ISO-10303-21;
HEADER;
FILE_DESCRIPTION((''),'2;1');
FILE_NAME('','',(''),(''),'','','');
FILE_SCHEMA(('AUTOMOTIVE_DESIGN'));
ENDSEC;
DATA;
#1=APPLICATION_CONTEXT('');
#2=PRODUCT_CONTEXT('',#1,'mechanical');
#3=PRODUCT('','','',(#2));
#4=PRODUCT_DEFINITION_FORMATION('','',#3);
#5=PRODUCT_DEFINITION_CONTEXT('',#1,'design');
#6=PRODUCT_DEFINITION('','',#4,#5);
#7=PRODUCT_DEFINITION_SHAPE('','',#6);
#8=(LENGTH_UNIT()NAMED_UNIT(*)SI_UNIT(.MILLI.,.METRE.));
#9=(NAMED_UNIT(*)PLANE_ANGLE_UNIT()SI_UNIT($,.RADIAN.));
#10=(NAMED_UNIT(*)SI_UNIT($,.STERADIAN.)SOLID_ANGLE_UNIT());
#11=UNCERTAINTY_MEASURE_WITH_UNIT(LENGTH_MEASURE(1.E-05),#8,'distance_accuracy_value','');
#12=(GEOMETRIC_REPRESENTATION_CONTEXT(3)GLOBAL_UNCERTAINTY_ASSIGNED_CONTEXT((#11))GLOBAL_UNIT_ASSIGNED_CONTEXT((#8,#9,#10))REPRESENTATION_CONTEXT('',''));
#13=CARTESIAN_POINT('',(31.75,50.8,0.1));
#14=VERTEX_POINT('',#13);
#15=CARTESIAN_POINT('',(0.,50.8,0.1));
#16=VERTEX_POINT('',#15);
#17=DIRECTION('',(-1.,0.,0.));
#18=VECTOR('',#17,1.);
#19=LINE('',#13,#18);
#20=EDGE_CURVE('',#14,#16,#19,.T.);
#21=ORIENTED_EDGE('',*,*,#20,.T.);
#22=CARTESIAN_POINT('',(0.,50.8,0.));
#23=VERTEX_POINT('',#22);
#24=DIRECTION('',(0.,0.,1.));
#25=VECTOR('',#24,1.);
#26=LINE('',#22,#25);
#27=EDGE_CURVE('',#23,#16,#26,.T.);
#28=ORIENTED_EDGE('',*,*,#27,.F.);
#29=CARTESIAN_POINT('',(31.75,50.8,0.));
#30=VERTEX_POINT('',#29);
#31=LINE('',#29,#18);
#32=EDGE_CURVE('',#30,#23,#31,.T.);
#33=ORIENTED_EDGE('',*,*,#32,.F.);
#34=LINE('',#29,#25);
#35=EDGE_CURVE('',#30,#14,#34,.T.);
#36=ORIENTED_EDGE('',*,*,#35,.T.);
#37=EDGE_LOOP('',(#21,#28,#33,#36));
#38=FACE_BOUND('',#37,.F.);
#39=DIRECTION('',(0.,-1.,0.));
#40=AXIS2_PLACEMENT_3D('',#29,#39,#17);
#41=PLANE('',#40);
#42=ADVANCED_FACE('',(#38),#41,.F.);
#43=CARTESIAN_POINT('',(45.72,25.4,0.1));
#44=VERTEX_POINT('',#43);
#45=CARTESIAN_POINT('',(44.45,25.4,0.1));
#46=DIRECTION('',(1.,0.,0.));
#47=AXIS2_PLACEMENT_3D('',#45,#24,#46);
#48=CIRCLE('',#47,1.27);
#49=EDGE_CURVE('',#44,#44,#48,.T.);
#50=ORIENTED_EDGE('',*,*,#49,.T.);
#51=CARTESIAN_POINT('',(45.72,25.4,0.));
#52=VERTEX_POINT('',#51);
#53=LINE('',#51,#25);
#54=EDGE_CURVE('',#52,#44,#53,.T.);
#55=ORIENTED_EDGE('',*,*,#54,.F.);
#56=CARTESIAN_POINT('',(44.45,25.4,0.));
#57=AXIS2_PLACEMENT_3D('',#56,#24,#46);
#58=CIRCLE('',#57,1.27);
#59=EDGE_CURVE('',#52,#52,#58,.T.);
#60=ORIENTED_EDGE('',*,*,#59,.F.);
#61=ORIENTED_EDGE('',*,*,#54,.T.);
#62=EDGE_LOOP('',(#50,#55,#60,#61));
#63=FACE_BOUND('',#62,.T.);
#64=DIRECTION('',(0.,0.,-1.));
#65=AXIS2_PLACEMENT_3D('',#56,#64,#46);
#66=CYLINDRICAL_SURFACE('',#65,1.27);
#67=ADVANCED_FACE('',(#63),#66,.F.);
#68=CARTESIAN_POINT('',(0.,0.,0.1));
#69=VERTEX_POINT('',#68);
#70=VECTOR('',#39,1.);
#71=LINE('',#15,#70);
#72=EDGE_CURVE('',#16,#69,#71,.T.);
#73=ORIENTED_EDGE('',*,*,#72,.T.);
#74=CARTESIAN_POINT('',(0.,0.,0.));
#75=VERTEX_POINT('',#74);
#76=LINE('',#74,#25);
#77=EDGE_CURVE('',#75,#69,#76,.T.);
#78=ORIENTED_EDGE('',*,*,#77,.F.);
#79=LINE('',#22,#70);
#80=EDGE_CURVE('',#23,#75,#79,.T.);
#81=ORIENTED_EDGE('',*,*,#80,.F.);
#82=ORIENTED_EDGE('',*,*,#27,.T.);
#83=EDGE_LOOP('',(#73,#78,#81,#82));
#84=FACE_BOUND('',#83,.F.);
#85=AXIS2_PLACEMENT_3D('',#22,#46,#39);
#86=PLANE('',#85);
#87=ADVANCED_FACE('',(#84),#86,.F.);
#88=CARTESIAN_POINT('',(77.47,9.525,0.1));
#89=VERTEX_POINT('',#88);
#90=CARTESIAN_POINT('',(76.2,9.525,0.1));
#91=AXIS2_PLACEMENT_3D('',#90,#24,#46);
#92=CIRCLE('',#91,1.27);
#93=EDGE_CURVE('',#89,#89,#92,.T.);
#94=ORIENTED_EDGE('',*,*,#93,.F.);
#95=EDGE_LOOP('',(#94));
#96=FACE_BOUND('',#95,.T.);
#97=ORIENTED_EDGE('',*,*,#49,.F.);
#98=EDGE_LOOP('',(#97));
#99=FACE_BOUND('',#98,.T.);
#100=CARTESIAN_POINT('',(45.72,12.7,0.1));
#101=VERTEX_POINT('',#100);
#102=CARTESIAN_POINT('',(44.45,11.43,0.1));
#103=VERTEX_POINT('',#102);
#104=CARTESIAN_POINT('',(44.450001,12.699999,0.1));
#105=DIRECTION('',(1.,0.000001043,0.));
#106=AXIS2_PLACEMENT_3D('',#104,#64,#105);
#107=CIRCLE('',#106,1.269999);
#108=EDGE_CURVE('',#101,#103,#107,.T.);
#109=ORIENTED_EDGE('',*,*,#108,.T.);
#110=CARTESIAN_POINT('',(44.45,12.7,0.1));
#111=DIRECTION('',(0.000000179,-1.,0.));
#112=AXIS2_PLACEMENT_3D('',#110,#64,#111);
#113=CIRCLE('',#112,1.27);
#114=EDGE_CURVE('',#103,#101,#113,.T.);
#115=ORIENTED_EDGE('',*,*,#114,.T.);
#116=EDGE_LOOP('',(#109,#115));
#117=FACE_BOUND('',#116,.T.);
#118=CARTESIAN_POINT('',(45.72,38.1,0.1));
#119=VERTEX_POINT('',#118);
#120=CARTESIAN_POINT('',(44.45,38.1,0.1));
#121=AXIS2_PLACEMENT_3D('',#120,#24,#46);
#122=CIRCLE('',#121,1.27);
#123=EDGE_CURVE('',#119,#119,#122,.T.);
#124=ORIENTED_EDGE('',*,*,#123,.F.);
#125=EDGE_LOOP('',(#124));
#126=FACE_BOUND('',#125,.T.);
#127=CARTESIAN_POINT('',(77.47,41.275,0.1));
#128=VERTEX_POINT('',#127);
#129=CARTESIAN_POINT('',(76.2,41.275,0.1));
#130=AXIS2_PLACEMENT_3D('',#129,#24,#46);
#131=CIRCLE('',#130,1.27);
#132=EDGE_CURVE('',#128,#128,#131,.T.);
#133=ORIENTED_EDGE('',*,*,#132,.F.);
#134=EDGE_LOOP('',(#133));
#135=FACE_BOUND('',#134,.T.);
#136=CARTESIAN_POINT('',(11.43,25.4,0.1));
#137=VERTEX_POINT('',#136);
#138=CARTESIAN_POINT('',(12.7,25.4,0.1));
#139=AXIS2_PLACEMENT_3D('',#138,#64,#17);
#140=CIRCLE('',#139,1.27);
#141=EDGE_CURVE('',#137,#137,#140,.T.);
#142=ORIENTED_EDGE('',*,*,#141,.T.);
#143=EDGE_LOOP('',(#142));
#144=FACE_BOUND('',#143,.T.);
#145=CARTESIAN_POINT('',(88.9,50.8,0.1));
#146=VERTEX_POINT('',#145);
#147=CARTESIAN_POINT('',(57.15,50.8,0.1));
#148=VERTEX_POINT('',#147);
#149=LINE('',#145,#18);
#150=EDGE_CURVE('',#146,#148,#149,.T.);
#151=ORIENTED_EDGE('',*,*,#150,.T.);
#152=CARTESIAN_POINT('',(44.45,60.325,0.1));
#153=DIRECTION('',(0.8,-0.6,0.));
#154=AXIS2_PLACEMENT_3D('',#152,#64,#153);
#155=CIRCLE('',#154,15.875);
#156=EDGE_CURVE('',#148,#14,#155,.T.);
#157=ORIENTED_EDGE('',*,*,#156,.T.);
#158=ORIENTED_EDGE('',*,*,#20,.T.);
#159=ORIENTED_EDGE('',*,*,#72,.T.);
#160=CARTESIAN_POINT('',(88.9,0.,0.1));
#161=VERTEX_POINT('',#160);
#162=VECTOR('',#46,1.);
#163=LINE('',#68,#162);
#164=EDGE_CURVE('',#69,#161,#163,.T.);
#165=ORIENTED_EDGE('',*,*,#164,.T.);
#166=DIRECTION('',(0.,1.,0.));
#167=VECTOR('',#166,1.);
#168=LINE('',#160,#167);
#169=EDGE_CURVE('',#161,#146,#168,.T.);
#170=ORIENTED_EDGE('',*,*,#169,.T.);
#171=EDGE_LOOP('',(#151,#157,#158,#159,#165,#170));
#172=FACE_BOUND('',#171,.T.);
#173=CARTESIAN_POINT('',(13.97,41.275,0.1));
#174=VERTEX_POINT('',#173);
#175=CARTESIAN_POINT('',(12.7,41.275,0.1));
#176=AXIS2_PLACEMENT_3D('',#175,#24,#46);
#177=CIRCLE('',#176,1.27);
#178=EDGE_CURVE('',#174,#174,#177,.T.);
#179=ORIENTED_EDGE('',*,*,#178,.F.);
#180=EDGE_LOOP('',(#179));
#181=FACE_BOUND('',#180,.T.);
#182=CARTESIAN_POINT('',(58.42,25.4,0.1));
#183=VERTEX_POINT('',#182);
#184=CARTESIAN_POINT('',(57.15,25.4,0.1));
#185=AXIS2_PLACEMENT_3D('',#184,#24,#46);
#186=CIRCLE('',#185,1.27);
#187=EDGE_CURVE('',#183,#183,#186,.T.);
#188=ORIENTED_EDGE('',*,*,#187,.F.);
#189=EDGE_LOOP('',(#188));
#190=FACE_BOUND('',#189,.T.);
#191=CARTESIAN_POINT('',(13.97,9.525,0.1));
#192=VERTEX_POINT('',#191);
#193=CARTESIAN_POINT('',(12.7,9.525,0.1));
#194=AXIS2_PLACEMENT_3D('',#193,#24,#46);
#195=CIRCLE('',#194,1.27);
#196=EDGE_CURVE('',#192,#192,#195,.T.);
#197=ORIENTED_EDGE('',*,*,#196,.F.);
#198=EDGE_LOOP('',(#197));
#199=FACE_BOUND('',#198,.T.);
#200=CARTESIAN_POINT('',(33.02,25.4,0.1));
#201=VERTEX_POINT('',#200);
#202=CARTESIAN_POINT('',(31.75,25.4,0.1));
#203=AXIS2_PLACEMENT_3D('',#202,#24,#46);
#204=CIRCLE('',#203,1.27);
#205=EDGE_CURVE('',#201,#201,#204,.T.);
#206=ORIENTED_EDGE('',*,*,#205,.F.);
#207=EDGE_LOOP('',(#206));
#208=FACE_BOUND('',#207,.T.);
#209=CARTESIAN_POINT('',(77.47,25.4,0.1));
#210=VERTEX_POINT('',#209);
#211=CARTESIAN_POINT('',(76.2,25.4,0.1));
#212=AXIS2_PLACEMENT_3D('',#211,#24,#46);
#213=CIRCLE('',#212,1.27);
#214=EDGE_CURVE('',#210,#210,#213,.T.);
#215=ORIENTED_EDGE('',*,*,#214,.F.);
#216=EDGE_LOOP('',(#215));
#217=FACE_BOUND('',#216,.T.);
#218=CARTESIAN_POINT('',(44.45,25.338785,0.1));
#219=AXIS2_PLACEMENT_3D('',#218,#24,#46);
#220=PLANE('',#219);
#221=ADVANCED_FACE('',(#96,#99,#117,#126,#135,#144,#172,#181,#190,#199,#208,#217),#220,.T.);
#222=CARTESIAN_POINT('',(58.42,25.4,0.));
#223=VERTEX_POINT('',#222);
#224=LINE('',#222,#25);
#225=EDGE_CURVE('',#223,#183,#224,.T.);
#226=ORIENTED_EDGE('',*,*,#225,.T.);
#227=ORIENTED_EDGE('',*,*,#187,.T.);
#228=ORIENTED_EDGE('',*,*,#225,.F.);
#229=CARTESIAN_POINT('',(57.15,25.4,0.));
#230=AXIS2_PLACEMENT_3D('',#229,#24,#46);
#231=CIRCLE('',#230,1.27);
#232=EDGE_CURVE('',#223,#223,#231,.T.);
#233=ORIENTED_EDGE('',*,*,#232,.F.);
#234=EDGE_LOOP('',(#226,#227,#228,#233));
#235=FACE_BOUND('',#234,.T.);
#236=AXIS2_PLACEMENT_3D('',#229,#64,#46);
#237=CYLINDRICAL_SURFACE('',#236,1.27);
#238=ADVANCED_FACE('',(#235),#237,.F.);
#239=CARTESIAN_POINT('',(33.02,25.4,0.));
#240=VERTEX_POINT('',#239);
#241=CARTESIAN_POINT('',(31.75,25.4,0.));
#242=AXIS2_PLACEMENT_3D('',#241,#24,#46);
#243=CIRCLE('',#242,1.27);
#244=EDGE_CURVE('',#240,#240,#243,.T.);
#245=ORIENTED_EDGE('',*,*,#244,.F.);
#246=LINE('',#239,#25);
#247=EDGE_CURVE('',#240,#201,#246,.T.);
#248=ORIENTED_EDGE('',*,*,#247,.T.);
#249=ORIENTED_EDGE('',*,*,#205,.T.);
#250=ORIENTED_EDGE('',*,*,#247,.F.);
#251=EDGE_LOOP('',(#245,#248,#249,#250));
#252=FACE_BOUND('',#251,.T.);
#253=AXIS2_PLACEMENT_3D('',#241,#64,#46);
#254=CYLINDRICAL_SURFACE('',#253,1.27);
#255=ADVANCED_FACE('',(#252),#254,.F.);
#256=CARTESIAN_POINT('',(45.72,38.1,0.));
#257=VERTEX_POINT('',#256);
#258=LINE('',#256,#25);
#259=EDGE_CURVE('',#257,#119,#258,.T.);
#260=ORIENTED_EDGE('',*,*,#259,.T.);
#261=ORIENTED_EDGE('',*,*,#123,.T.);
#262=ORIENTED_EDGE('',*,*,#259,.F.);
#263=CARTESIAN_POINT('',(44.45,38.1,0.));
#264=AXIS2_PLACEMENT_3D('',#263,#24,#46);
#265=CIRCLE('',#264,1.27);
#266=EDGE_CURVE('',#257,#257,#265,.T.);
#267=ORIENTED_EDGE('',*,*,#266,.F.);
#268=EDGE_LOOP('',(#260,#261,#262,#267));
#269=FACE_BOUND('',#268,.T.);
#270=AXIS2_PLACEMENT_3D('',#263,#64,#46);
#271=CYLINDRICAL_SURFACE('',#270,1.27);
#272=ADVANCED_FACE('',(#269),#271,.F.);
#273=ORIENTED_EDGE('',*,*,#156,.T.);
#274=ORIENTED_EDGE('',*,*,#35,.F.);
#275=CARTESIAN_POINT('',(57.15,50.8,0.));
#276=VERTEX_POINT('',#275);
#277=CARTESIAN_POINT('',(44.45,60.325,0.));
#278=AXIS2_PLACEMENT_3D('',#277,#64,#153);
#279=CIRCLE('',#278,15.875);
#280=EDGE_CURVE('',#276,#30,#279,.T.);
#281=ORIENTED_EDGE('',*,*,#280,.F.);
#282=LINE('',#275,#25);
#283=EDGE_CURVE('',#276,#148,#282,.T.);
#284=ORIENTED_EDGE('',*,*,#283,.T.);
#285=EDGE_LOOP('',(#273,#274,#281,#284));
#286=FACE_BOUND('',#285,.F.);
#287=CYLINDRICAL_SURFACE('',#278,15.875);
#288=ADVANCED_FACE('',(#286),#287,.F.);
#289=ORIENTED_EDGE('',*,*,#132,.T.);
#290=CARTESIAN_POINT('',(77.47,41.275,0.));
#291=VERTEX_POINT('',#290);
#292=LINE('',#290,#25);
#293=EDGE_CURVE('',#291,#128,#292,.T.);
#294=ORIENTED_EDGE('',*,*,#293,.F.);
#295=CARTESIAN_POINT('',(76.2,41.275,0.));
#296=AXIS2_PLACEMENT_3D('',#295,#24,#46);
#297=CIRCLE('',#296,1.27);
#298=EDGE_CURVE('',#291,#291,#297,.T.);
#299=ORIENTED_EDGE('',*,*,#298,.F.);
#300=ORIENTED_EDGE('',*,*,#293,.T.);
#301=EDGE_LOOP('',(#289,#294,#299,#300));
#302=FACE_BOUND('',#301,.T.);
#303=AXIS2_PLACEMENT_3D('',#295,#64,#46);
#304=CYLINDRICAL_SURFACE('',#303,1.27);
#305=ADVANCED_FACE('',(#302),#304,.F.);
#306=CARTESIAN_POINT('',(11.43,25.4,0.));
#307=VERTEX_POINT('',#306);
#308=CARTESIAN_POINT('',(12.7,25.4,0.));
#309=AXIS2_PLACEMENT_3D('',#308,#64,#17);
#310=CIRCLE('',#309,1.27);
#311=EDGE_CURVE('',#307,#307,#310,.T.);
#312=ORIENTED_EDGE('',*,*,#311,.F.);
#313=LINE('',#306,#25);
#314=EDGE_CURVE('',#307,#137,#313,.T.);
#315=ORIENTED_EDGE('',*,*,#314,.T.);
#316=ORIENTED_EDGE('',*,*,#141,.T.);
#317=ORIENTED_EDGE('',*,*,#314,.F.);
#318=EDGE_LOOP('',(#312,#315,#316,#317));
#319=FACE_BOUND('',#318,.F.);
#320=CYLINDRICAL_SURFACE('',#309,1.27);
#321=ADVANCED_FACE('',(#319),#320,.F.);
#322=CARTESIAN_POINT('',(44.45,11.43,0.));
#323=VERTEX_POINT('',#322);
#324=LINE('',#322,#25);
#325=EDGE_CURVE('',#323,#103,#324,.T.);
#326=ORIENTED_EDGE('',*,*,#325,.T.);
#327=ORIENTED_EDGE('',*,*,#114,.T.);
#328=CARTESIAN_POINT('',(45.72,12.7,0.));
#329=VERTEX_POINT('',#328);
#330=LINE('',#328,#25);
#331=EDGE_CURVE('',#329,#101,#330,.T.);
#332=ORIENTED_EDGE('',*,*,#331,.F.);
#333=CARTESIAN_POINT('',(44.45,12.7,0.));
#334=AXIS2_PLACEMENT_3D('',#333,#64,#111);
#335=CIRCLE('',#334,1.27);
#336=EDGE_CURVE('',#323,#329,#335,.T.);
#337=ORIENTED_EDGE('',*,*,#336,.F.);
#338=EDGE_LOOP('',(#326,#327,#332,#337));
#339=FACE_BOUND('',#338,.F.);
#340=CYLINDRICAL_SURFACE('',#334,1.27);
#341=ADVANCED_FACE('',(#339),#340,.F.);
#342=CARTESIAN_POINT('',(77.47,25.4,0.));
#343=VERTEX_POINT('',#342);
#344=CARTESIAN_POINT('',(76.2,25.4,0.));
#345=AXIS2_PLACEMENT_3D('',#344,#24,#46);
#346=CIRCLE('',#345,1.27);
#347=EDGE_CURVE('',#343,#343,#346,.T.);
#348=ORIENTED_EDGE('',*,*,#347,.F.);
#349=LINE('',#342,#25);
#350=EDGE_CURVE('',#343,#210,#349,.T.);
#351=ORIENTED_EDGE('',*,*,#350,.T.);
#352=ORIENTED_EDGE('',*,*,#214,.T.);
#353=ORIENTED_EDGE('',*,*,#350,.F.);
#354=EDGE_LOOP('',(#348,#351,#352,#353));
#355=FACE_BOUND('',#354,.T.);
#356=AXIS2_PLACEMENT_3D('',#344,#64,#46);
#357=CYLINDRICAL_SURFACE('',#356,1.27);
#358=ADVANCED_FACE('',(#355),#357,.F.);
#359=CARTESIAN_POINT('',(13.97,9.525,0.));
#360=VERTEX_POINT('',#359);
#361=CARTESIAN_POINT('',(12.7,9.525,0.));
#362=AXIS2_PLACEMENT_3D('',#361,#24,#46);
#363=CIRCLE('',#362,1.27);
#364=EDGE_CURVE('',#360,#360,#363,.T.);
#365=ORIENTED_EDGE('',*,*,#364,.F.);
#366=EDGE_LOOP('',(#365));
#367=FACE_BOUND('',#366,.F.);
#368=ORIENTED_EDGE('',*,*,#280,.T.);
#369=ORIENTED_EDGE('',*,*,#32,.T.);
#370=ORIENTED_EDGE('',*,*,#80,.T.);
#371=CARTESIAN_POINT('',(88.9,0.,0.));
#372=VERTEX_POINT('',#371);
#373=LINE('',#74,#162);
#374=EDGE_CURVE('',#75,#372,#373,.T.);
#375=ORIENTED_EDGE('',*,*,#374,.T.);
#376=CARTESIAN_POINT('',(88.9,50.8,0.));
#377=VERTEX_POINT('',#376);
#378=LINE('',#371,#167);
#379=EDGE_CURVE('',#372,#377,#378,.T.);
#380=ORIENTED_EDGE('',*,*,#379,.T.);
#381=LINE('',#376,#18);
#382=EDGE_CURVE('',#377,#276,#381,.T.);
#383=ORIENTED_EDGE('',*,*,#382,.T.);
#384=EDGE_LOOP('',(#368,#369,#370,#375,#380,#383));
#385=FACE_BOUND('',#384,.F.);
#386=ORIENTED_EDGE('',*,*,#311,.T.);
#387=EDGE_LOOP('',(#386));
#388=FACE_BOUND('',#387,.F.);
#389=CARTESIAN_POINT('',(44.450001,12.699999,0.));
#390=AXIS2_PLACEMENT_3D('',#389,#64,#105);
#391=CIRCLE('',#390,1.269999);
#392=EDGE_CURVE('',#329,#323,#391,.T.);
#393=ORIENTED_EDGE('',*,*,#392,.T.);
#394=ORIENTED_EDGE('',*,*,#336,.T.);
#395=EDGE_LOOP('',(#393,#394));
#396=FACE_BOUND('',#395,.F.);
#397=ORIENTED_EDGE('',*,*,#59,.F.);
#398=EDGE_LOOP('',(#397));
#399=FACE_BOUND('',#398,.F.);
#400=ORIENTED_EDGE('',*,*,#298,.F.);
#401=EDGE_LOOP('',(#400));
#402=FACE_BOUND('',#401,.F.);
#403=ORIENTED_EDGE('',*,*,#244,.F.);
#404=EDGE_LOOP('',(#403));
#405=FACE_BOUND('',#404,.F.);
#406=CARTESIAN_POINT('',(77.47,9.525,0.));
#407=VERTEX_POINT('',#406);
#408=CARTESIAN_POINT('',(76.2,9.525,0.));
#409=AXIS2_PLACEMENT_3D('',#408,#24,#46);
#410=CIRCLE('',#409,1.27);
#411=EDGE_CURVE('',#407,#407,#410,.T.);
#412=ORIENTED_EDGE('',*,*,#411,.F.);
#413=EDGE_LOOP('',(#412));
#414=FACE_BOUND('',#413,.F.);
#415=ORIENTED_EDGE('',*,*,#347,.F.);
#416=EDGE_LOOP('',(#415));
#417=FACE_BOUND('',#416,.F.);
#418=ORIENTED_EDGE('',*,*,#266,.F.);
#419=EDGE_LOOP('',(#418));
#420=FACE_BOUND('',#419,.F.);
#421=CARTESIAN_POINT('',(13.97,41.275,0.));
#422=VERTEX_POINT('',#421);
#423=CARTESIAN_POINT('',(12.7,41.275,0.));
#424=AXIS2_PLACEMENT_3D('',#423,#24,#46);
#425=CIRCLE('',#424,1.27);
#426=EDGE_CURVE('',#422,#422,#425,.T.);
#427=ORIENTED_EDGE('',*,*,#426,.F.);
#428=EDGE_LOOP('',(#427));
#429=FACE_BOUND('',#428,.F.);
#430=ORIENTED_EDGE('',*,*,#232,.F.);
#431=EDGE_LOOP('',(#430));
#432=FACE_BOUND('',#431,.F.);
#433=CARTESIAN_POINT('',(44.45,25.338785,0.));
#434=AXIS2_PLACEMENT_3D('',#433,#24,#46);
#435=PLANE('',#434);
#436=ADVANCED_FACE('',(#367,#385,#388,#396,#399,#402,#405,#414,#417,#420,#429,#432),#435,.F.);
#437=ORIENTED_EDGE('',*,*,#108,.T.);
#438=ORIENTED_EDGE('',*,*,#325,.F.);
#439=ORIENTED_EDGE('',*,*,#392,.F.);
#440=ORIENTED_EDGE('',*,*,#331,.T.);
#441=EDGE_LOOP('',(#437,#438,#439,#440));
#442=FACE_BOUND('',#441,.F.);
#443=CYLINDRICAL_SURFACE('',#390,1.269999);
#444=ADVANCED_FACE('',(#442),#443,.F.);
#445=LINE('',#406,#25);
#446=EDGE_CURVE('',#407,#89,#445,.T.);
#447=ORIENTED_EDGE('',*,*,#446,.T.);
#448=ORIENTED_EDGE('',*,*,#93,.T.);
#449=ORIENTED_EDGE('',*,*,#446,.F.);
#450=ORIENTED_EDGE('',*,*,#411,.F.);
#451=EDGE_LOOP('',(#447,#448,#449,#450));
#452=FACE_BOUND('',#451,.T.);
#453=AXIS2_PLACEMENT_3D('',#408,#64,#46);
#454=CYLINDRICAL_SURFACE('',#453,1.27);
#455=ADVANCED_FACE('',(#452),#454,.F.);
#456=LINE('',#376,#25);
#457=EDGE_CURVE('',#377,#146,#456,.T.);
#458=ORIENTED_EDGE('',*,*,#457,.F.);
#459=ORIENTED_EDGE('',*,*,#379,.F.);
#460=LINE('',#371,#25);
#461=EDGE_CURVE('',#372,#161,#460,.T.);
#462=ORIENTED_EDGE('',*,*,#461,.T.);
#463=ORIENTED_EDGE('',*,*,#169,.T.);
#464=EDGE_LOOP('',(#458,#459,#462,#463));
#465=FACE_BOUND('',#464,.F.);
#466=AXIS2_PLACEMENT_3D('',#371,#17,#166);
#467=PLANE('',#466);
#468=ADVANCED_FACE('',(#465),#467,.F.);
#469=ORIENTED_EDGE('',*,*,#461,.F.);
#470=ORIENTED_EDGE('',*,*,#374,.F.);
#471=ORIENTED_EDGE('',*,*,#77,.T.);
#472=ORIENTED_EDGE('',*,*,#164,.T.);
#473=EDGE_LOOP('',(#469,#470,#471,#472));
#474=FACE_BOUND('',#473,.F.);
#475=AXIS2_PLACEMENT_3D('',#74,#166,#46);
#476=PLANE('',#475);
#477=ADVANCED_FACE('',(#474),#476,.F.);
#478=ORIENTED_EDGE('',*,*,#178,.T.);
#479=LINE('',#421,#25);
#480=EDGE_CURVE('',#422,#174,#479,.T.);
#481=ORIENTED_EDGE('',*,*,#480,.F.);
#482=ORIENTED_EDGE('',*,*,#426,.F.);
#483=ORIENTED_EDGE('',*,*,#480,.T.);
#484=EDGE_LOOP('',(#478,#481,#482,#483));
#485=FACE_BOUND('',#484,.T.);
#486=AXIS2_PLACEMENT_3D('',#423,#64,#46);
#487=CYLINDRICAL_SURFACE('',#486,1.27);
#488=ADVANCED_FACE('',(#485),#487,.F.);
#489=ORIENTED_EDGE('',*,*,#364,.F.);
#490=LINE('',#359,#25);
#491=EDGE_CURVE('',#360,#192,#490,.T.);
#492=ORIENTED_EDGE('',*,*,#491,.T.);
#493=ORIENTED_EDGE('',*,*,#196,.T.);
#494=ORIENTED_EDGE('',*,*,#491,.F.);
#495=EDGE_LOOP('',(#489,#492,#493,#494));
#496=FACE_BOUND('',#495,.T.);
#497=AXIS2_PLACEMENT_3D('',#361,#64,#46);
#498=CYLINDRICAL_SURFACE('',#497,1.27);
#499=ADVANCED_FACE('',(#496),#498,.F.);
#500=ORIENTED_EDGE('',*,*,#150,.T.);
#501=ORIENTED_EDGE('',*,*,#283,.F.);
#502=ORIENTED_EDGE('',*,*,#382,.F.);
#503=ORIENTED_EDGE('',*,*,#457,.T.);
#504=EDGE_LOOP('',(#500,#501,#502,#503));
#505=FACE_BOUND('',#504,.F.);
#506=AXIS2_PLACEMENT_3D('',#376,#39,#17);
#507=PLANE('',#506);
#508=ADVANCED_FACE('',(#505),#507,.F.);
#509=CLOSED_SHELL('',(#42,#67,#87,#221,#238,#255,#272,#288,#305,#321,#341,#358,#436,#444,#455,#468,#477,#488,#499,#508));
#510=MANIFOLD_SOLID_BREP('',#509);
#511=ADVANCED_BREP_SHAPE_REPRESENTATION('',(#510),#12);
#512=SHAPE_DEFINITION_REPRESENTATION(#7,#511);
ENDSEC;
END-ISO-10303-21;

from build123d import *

# Parameters (mm, degrees)
F0_R     = 1.27
F1_DEPTH = 0.1


with BuildPart() as f1:
    # F0 (on Top) → F1 (new body)
    with BuildSketch(Plane.XY):
        with BuildLine():
            Line((0, 25.4), (0, 0))
            Line((0, 0), (44.45, 0))
            Line((44.45, 0), (88.9, 0))
            Line((88.9, 0), (88.9, 50.8))
            Line((88.9, 50.8), (57.15, 50.8))
            ThreePointArc((57.15, 50.8), (44.45, 44.45), (31.75, 50.8))
            Line((31.75, 50.8), (0, 50.8))
            Line((0, 50.8), (0, 25.4))
        make_face()
        with Locations((12.7, 9.525)):
            Circle(F0_R, mode=Mode.SUBTRACT)
        with BuildLine():
            ThreePointArc((13.97, 25.4), (12.7, 24.13), (11.43, 25.4))
            ThreePointArc((11.43, 25.4), (12.7, 26.67), (13.97, 25.4))
        make_face(mode=Mode.SUBTRACT)
        with Locations((31.75, 25.4)):
            Circle(F0_R, mode=Mode.SUBTRACT)
        with BuildLine():
            ThreePointArc((45.72, 12.7), (45.348026, 11.801974), (44.45, 11.43))
            ThreePointArc((44.45, 11.43), (43.551974, 13.598026), (45.72, 12.7))
        make_face(mode=Mode.SUBTRACT)
        with Locations((76.2, 9.525)):
            Circle(F0_R, mode=Mode.SUBTRACT)
        with Locations((44.45, 25.4)):
            Circle(F0_R, mode=Mode.SUBTRACT)
        with Locations((57.15, 25.4)):
            Circle(F0_R, mode=Mode.SUBTRACT)
        with Locations((76.2, 25.4)):
            Circle(F0_R, mode=Mode.SUBTRACT)
        with Locations((12.7, 41.275)):
            Circle(F0_R, mode=Mode.SUBTRACT)
        with Locations((44.45, 38.1)):
            Circle(F0_R, mode=Mode.SUBTRACT)
        with Locations((76.2, 41.275)):
            Circle(F0_R, mode=Mode.SUBTRACT)
    extrude(amount=F1_DEPTH)


solid = f1.part
